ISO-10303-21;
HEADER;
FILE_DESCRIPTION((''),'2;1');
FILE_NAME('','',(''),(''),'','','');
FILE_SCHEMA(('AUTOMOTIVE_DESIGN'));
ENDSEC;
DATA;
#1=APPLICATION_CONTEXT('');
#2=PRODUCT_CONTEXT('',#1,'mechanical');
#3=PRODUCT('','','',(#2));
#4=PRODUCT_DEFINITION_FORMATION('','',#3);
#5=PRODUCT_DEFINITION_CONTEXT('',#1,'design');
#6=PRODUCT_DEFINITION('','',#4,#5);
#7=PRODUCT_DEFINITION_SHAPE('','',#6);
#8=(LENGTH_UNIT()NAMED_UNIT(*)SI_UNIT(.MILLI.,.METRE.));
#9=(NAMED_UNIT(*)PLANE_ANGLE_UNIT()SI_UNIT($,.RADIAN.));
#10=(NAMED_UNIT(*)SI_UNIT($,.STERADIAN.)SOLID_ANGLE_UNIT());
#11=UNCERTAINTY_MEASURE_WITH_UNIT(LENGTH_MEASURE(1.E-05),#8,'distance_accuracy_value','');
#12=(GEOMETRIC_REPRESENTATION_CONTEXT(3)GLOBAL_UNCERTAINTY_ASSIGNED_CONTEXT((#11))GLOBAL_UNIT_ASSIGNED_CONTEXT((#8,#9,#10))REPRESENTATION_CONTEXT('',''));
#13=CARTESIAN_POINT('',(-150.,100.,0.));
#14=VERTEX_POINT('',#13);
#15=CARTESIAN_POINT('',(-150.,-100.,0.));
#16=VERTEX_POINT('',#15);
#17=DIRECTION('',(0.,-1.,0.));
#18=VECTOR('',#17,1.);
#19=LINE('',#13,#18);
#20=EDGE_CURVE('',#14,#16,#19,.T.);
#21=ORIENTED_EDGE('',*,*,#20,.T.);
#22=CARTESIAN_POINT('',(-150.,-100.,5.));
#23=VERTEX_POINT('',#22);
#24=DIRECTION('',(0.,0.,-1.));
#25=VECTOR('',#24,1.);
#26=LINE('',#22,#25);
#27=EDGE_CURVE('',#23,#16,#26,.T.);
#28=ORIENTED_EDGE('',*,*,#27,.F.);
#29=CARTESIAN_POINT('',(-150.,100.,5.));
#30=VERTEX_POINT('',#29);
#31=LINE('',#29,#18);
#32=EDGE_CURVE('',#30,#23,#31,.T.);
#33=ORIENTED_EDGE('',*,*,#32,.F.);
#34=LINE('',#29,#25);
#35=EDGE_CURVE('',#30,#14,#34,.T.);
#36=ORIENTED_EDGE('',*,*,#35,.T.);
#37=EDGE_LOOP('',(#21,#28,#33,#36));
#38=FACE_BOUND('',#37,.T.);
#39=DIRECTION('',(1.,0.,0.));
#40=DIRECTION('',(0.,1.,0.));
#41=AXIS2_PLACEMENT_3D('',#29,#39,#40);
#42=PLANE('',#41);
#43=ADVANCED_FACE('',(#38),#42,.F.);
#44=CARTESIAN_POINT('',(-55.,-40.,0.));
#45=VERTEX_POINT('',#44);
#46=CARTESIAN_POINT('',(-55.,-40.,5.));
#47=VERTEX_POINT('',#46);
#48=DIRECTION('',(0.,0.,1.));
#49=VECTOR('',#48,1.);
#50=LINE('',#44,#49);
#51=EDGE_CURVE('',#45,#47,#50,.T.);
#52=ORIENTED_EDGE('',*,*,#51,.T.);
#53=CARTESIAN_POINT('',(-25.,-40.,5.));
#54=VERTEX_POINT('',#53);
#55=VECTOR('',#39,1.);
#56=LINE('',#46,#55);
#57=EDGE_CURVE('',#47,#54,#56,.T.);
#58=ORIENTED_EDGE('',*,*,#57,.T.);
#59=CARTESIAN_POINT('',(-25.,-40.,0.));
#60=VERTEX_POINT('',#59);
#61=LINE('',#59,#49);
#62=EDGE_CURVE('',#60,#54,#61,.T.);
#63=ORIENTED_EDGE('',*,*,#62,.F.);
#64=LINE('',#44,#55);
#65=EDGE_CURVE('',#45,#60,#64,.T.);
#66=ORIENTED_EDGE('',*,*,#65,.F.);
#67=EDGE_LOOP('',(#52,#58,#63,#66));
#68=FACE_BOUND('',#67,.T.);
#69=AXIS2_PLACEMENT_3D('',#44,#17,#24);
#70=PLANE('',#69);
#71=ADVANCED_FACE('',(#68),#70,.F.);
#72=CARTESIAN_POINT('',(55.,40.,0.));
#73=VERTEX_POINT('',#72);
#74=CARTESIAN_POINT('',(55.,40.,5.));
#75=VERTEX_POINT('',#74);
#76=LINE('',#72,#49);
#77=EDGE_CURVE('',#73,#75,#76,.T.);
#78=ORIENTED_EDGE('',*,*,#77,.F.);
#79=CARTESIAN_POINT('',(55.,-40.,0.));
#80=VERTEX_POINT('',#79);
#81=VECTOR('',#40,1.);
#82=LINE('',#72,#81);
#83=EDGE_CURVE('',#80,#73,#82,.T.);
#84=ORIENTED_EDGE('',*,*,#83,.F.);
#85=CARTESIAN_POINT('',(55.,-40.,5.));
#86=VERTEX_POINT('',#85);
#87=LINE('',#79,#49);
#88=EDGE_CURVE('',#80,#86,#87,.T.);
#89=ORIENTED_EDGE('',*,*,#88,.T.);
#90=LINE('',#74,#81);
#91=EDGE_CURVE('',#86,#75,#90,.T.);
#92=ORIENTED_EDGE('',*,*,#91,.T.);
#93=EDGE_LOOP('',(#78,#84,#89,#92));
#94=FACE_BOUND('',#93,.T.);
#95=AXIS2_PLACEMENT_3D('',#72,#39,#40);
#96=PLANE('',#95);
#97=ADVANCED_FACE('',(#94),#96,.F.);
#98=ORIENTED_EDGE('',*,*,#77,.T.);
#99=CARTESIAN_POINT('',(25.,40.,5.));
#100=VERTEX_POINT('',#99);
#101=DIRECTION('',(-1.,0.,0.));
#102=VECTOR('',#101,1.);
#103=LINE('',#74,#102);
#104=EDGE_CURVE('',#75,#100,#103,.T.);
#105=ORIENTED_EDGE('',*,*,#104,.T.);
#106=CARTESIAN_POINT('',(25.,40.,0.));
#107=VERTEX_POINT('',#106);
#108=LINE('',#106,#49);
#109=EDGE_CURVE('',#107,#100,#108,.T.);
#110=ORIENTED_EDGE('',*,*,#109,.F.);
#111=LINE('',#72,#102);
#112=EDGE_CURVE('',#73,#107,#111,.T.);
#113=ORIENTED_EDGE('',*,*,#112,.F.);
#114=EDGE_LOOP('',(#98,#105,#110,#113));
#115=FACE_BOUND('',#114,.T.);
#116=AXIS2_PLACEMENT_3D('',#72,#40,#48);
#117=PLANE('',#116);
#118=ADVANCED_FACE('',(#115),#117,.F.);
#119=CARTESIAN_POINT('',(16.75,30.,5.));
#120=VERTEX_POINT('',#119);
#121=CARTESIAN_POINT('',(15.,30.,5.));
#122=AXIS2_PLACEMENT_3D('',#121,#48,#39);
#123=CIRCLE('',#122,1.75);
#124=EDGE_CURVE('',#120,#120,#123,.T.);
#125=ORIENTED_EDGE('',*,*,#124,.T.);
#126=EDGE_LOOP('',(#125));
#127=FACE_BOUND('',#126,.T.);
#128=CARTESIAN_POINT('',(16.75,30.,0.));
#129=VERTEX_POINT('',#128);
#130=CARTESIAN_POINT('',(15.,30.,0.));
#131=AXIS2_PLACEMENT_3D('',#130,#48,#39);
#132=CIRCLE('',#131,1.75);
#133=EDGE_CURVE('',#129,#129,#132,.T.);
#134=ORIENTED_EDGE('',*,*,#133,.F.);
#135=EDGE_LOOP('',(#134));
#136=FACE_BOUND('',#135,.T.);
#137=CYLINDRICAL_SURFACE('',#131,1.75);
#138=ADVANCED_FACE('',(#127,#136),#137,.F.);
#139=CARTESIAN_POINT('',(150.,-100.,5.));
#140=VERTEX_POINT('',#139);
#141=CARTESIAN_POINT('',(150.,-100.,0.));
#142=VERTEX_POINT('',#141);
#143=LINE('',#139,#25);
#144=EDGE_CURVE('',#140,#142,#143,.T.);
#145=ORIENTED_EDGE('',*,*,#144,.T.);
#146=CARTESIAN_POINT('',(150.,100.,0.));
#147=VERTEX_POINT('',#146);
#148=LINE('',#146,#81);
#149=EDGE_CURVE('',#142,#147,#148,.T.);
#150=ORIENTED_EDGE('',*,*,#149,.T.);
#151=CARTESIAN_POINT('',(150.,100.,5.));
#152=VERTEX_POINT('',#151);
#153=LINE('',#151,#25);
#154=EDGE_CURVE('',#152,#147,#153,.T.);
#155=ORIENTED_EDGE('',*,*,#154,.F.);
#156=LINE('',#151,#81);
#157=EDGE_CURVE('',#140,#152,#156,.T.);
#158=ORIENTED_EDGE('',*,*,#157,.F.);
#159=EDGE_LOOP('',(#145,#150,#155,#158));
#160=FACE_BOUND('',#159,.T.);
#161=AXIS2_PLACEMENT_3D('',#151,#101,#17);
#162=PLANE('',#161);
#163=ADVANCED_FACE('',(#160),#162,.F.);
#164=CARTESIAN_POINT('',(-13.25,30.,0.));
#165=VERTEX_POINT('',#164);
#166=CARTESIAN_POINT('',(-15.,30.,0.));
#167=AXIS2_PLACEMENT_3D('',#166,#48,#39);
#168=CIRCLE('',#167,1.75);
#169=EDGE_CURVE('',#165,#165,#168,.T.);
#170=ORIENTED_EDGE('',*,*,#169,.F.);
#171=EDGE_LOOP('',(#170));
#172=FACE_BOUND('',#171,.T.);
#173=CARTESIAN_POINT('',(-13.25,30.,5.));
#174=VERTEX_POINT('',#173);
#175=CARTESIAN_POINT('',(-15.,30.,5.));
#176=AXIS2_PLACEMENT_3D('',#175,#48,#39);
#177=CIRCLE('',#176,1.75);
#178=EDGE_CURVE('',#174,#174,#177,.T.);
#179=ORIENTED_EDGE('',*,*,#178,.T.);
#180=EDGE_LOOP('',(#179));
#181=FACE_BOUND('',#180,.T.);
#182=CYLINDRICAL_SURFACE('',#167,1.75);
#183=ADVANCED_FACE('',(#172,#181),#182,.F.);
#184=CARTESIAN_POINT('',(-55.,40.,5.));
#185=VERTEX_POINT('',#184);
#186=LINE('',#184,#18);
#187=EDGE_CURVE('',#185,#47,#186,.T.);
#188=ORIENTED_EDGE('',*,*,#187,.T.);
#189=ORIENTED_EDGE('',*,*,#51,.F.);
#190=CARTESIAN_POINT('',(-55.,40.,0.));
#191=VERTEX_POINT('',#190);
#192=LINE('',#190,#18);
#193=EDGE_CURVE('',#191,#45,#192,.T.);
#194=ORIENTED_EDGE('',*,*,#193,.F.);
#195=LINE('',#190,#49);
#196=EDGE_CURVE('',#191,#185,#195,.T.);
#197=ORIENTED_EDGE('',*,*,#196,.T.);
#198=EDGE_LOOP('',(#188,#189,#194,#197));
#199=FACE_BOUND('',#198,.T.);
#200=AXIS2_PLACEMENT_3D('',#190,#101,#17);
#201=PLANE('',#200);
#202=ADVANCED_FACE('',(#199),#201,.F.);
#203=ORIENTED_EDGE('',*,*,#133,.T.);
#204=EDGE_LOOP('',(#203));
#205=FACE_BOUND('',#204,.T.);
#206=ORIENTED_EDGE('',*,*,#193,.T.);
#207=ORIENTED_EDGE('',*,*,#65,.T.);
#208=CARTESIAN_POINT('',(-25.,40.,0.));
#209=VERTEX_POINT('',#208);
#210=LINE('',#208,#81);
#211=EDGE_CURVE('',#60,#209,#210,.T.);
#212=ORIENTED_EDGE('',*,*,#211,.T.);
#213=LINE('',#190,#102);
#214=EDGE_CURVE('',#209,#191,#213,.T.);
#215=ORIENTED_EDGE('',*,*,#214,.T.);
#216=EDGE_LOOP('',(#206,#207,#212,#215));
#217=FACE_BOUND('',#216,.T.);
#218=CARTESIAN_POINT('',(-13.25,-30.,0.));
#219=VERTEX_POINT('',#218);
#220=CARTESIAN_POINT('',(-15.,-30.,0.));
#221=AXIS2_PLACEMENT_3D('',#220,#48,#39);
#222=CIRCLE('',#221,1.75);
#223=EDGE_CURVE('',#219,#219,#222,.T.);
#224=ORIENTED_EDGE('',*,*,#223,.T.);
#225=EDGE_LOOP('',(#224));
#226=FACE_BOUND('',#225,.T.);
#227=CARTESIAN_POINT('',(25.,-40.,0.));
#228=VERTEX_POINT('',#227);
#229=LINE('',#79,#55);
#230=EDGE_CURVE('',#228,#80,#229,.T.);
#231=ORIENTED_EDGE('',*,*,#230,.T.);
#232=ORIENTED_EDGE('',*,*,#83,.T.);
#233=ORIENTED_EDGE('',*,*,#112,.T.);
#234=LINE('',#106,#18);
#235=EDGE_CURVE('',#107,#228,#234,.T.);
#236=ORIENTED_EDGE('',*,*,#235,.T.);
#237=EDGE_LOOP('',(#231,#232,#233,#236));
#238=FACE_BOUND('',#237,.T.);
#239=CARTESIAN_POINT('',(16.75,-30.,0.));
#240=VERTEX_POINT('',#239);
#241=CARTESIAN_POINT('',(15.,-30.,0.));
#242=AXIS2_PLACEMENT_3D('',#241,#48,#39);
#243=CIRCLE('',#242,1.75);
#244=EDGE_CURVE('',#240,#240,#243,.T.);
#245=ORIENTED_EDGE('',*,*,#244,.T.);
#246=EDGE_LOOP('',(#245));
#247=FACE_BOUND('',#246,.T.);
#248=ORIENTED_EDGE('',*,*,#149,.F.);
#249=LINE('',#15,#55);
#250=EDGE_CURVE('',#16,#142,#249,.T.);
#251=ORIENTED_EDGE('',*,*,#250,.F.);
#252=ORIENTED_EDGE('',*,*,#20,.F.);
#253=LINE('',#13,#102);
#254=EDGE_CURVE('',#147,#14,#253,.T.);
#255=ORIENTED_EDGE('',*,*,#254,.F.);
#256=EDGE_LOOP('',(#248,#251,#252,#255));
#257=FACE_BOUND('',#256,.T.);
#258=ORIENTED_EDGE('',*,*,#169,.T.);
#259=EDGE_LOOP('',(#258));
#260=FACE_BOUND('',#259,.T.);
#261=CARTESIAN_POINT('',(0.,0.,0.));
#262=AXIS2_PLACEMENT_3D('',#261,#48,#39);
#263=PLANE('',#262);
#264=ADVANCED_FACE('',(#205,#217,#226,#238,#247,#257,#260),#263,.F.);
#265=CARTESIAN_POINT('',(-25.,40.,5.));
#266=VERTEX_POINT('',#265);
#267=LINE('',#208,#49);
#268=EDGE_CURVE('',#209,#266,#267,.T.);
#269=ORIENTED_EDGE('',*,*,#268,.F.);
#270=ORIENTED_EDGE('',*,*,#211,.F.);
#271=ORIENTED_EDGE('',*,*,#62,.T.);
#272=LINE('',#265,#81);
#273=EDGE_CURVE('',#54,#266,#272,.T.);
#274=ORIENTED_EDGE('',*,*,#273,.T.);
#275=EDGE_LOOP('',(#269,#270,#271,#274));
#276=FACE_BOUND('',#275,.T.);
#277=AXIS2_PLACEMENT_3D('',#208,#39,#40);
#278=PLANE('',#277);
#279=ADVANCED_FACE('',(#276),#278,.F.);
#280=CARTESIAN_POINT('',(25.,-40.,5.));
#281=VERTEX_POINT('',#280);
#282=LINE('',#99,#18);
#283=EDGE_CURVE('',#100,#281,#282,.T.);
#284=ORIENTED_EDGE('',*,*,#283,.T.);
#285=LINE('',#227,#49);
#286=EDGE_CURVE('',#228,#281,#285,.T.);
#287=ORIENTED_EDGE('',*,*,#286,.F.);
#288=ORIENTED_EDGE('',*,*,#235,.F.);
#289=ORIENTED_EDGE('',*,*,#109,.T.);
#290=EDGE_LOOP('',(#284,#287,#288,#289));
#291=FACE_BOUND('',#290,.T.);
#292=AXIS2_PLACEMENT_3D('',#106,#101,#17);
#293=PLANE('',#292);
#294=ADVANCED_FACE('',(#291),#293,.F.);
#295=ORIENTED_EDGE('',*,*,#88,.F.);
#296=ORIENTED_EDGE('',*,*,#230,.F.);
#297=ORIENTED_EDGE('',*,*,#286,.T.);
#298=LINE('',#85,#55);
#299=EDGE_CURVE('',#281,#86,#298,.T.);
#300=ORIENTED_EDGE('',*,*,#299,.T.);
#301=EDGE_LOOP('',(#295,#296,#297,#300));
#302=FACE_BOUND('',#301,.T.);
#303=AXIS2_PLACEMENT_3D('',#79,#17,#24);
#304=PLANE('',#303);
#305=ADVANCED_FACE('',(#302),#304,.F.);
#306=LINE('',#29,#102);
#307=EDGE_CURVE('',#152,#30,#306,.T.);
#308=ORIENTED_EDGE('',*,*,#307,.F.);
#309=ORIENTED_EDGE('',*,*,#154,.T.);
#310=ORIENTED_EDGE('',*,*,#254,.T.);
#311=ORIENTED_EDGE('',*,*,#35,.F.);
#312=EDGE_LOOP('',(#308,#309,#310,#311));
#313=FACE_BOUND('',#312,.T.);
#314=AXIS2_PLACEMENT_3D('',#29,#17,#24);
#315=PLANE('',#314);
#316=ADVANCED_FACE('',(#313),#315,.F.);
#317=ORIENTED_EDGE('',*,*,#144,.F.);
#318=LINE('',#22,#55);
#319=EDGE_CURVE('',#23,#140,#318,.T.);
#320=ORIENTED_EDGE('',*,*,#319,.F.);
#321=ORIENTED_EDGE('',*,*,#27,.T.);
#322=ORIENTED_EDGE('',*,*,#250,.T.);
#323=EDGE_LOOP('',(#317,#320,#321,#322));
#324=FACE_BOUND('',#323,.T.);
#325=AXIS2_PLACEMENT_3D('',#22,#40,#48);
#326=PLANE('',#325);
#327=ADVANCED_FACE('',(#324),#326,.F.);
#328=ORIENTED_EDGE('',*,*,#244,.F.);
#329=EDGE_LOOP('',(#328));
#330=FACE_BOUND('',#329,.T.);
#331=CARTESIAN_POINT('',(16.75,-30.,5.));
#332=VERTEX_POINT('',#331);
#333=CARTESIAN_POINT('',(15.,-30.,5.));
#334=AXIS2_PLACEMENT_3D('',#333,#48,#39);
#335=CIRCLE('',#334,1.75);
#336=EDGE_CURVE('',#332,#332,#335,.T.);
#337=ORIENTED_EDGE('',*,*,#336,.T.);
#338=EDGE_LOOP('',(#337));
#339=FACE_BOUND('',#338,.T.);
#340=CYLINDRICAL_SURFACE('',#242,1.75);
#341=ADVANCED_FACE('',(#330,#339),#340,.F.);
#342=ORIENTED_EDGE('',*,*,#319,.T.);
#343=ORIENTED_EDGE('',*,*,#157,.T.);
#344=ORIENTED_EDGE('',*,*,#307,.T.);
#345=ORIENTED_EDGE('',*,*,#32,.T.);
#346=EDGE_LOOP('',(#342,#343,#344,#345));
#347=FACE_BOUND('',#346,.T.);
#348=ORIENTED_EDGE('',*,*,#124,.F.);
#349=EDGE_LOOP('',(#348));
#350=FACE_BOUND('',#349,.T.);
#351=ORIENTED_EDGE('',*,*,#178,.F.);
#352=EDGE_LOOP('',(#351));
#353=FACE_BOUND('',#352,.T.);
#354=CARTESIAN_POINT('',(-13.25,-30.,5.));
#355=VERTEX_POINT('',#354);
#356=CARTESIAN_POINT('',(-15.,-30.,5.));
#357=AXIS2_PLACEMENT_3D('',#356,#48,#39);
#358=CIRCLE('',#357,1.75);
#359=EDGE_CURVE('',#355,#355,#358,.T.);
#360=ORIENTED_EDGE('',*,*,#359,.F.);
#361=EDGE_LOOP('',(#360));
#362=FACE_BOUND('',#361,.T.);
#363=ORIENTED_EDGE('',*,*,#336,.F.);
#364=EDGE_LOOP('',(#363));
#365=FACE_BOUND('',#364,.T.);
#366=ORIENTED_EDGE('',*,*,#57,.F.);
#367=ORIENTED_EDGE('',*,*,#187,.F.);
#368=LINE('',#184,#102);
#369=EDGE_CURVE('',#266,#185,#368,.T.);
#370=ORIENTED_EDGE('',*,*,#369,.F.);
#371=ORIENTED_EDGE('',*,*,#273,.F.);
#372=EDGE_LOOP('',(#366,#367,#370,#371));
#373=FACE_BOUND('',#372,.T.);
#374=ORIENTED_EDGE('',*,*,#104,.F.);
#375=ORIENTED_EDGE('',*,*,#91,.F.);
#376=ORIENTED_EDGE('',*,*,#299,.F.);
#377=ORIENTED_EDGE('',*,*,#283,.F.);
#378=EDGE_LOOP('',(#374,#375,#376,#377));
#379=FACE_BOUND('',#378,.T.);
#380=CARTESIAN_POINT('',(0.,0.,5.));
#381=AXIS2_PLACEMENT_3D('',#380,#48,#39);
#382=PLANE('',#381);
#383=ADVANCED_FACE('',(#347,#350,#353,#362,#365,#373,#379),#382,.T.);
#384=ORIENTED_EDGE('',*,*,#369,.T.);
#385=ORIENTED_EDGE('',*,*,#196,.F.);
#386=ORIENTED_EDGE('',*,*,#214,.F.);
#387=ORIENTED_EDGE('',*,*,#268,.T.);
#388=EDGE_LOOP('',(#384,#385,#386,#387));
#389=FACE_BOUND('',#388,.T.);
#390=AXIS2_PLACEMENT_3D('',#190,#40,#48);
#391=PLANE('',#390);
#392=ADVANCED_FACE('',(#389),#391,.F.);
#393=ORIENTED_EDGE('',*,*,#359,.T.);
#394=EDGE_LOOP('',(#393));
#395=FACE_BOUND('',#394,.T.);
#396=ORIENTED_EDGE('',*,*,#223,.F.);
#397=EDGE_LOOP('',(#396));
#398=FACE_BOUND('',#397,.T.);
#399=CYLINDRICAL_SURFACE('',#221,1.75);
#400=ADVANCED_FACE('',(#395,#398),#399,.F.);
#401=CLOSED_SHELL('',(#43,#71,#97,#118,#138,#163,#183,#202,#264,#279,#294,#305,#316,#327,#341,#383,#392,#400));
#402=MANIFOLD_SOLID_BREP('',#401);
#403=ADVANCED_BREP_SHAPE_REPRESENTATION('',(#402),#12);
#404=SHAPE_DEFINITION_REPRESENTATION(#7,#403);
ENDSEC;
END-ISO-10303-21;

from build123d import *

# Parameters (mm, degrees)
SKETCH_1_W          = 300
SKETCH_1_H          = 200
EXTRUDE_1_DEPTH     = 5
SKETCH_2_R          = 1.75
SKETCH_2_W          = 30
SKETCH_2_H          = 80
CUT_EXTRUDE_1_DEPTH = 6


with BuildPart() as part:
    # ｽｹｯﾁ1 → ﾎﾞｽ - 押し出し1 (new body)
    with BuildSketch(Plane.XY):
        Rectangle(SKETCH_1_W, SKETCH_1_H)
    extrude(amount=EXTRUDE_1_DEPTH)

    # ｽｹｯﾁ2 → ｶｯﾄ - 押し出し1 (cut, through all)
    with BuildSketch(Plane.XY.offset(5)):
        with Locations((15, 30)):
            Circle(SKETCH_2_R)
        with Locations((-15, 30)):
            Circle(SKETCH_2_R)
        with Locations((-15, -30)):
            Circle(SKETCH_2_R)
        with Locations((15, -30)):
            Circle(SKETCH_2_R)
        with Locations((40, 0)):
            Rectangle(SKETCH_2_W, SKETCH_2_H)
        with Locations((-40, 0)):
            Rectangle(SKETCH_2_W, SKETCH_2_H)
    extrude(amount=-CUT_EXTRUDE_1_DEPTH, mode=Mode.SUBTRACT)


solid = part.part
